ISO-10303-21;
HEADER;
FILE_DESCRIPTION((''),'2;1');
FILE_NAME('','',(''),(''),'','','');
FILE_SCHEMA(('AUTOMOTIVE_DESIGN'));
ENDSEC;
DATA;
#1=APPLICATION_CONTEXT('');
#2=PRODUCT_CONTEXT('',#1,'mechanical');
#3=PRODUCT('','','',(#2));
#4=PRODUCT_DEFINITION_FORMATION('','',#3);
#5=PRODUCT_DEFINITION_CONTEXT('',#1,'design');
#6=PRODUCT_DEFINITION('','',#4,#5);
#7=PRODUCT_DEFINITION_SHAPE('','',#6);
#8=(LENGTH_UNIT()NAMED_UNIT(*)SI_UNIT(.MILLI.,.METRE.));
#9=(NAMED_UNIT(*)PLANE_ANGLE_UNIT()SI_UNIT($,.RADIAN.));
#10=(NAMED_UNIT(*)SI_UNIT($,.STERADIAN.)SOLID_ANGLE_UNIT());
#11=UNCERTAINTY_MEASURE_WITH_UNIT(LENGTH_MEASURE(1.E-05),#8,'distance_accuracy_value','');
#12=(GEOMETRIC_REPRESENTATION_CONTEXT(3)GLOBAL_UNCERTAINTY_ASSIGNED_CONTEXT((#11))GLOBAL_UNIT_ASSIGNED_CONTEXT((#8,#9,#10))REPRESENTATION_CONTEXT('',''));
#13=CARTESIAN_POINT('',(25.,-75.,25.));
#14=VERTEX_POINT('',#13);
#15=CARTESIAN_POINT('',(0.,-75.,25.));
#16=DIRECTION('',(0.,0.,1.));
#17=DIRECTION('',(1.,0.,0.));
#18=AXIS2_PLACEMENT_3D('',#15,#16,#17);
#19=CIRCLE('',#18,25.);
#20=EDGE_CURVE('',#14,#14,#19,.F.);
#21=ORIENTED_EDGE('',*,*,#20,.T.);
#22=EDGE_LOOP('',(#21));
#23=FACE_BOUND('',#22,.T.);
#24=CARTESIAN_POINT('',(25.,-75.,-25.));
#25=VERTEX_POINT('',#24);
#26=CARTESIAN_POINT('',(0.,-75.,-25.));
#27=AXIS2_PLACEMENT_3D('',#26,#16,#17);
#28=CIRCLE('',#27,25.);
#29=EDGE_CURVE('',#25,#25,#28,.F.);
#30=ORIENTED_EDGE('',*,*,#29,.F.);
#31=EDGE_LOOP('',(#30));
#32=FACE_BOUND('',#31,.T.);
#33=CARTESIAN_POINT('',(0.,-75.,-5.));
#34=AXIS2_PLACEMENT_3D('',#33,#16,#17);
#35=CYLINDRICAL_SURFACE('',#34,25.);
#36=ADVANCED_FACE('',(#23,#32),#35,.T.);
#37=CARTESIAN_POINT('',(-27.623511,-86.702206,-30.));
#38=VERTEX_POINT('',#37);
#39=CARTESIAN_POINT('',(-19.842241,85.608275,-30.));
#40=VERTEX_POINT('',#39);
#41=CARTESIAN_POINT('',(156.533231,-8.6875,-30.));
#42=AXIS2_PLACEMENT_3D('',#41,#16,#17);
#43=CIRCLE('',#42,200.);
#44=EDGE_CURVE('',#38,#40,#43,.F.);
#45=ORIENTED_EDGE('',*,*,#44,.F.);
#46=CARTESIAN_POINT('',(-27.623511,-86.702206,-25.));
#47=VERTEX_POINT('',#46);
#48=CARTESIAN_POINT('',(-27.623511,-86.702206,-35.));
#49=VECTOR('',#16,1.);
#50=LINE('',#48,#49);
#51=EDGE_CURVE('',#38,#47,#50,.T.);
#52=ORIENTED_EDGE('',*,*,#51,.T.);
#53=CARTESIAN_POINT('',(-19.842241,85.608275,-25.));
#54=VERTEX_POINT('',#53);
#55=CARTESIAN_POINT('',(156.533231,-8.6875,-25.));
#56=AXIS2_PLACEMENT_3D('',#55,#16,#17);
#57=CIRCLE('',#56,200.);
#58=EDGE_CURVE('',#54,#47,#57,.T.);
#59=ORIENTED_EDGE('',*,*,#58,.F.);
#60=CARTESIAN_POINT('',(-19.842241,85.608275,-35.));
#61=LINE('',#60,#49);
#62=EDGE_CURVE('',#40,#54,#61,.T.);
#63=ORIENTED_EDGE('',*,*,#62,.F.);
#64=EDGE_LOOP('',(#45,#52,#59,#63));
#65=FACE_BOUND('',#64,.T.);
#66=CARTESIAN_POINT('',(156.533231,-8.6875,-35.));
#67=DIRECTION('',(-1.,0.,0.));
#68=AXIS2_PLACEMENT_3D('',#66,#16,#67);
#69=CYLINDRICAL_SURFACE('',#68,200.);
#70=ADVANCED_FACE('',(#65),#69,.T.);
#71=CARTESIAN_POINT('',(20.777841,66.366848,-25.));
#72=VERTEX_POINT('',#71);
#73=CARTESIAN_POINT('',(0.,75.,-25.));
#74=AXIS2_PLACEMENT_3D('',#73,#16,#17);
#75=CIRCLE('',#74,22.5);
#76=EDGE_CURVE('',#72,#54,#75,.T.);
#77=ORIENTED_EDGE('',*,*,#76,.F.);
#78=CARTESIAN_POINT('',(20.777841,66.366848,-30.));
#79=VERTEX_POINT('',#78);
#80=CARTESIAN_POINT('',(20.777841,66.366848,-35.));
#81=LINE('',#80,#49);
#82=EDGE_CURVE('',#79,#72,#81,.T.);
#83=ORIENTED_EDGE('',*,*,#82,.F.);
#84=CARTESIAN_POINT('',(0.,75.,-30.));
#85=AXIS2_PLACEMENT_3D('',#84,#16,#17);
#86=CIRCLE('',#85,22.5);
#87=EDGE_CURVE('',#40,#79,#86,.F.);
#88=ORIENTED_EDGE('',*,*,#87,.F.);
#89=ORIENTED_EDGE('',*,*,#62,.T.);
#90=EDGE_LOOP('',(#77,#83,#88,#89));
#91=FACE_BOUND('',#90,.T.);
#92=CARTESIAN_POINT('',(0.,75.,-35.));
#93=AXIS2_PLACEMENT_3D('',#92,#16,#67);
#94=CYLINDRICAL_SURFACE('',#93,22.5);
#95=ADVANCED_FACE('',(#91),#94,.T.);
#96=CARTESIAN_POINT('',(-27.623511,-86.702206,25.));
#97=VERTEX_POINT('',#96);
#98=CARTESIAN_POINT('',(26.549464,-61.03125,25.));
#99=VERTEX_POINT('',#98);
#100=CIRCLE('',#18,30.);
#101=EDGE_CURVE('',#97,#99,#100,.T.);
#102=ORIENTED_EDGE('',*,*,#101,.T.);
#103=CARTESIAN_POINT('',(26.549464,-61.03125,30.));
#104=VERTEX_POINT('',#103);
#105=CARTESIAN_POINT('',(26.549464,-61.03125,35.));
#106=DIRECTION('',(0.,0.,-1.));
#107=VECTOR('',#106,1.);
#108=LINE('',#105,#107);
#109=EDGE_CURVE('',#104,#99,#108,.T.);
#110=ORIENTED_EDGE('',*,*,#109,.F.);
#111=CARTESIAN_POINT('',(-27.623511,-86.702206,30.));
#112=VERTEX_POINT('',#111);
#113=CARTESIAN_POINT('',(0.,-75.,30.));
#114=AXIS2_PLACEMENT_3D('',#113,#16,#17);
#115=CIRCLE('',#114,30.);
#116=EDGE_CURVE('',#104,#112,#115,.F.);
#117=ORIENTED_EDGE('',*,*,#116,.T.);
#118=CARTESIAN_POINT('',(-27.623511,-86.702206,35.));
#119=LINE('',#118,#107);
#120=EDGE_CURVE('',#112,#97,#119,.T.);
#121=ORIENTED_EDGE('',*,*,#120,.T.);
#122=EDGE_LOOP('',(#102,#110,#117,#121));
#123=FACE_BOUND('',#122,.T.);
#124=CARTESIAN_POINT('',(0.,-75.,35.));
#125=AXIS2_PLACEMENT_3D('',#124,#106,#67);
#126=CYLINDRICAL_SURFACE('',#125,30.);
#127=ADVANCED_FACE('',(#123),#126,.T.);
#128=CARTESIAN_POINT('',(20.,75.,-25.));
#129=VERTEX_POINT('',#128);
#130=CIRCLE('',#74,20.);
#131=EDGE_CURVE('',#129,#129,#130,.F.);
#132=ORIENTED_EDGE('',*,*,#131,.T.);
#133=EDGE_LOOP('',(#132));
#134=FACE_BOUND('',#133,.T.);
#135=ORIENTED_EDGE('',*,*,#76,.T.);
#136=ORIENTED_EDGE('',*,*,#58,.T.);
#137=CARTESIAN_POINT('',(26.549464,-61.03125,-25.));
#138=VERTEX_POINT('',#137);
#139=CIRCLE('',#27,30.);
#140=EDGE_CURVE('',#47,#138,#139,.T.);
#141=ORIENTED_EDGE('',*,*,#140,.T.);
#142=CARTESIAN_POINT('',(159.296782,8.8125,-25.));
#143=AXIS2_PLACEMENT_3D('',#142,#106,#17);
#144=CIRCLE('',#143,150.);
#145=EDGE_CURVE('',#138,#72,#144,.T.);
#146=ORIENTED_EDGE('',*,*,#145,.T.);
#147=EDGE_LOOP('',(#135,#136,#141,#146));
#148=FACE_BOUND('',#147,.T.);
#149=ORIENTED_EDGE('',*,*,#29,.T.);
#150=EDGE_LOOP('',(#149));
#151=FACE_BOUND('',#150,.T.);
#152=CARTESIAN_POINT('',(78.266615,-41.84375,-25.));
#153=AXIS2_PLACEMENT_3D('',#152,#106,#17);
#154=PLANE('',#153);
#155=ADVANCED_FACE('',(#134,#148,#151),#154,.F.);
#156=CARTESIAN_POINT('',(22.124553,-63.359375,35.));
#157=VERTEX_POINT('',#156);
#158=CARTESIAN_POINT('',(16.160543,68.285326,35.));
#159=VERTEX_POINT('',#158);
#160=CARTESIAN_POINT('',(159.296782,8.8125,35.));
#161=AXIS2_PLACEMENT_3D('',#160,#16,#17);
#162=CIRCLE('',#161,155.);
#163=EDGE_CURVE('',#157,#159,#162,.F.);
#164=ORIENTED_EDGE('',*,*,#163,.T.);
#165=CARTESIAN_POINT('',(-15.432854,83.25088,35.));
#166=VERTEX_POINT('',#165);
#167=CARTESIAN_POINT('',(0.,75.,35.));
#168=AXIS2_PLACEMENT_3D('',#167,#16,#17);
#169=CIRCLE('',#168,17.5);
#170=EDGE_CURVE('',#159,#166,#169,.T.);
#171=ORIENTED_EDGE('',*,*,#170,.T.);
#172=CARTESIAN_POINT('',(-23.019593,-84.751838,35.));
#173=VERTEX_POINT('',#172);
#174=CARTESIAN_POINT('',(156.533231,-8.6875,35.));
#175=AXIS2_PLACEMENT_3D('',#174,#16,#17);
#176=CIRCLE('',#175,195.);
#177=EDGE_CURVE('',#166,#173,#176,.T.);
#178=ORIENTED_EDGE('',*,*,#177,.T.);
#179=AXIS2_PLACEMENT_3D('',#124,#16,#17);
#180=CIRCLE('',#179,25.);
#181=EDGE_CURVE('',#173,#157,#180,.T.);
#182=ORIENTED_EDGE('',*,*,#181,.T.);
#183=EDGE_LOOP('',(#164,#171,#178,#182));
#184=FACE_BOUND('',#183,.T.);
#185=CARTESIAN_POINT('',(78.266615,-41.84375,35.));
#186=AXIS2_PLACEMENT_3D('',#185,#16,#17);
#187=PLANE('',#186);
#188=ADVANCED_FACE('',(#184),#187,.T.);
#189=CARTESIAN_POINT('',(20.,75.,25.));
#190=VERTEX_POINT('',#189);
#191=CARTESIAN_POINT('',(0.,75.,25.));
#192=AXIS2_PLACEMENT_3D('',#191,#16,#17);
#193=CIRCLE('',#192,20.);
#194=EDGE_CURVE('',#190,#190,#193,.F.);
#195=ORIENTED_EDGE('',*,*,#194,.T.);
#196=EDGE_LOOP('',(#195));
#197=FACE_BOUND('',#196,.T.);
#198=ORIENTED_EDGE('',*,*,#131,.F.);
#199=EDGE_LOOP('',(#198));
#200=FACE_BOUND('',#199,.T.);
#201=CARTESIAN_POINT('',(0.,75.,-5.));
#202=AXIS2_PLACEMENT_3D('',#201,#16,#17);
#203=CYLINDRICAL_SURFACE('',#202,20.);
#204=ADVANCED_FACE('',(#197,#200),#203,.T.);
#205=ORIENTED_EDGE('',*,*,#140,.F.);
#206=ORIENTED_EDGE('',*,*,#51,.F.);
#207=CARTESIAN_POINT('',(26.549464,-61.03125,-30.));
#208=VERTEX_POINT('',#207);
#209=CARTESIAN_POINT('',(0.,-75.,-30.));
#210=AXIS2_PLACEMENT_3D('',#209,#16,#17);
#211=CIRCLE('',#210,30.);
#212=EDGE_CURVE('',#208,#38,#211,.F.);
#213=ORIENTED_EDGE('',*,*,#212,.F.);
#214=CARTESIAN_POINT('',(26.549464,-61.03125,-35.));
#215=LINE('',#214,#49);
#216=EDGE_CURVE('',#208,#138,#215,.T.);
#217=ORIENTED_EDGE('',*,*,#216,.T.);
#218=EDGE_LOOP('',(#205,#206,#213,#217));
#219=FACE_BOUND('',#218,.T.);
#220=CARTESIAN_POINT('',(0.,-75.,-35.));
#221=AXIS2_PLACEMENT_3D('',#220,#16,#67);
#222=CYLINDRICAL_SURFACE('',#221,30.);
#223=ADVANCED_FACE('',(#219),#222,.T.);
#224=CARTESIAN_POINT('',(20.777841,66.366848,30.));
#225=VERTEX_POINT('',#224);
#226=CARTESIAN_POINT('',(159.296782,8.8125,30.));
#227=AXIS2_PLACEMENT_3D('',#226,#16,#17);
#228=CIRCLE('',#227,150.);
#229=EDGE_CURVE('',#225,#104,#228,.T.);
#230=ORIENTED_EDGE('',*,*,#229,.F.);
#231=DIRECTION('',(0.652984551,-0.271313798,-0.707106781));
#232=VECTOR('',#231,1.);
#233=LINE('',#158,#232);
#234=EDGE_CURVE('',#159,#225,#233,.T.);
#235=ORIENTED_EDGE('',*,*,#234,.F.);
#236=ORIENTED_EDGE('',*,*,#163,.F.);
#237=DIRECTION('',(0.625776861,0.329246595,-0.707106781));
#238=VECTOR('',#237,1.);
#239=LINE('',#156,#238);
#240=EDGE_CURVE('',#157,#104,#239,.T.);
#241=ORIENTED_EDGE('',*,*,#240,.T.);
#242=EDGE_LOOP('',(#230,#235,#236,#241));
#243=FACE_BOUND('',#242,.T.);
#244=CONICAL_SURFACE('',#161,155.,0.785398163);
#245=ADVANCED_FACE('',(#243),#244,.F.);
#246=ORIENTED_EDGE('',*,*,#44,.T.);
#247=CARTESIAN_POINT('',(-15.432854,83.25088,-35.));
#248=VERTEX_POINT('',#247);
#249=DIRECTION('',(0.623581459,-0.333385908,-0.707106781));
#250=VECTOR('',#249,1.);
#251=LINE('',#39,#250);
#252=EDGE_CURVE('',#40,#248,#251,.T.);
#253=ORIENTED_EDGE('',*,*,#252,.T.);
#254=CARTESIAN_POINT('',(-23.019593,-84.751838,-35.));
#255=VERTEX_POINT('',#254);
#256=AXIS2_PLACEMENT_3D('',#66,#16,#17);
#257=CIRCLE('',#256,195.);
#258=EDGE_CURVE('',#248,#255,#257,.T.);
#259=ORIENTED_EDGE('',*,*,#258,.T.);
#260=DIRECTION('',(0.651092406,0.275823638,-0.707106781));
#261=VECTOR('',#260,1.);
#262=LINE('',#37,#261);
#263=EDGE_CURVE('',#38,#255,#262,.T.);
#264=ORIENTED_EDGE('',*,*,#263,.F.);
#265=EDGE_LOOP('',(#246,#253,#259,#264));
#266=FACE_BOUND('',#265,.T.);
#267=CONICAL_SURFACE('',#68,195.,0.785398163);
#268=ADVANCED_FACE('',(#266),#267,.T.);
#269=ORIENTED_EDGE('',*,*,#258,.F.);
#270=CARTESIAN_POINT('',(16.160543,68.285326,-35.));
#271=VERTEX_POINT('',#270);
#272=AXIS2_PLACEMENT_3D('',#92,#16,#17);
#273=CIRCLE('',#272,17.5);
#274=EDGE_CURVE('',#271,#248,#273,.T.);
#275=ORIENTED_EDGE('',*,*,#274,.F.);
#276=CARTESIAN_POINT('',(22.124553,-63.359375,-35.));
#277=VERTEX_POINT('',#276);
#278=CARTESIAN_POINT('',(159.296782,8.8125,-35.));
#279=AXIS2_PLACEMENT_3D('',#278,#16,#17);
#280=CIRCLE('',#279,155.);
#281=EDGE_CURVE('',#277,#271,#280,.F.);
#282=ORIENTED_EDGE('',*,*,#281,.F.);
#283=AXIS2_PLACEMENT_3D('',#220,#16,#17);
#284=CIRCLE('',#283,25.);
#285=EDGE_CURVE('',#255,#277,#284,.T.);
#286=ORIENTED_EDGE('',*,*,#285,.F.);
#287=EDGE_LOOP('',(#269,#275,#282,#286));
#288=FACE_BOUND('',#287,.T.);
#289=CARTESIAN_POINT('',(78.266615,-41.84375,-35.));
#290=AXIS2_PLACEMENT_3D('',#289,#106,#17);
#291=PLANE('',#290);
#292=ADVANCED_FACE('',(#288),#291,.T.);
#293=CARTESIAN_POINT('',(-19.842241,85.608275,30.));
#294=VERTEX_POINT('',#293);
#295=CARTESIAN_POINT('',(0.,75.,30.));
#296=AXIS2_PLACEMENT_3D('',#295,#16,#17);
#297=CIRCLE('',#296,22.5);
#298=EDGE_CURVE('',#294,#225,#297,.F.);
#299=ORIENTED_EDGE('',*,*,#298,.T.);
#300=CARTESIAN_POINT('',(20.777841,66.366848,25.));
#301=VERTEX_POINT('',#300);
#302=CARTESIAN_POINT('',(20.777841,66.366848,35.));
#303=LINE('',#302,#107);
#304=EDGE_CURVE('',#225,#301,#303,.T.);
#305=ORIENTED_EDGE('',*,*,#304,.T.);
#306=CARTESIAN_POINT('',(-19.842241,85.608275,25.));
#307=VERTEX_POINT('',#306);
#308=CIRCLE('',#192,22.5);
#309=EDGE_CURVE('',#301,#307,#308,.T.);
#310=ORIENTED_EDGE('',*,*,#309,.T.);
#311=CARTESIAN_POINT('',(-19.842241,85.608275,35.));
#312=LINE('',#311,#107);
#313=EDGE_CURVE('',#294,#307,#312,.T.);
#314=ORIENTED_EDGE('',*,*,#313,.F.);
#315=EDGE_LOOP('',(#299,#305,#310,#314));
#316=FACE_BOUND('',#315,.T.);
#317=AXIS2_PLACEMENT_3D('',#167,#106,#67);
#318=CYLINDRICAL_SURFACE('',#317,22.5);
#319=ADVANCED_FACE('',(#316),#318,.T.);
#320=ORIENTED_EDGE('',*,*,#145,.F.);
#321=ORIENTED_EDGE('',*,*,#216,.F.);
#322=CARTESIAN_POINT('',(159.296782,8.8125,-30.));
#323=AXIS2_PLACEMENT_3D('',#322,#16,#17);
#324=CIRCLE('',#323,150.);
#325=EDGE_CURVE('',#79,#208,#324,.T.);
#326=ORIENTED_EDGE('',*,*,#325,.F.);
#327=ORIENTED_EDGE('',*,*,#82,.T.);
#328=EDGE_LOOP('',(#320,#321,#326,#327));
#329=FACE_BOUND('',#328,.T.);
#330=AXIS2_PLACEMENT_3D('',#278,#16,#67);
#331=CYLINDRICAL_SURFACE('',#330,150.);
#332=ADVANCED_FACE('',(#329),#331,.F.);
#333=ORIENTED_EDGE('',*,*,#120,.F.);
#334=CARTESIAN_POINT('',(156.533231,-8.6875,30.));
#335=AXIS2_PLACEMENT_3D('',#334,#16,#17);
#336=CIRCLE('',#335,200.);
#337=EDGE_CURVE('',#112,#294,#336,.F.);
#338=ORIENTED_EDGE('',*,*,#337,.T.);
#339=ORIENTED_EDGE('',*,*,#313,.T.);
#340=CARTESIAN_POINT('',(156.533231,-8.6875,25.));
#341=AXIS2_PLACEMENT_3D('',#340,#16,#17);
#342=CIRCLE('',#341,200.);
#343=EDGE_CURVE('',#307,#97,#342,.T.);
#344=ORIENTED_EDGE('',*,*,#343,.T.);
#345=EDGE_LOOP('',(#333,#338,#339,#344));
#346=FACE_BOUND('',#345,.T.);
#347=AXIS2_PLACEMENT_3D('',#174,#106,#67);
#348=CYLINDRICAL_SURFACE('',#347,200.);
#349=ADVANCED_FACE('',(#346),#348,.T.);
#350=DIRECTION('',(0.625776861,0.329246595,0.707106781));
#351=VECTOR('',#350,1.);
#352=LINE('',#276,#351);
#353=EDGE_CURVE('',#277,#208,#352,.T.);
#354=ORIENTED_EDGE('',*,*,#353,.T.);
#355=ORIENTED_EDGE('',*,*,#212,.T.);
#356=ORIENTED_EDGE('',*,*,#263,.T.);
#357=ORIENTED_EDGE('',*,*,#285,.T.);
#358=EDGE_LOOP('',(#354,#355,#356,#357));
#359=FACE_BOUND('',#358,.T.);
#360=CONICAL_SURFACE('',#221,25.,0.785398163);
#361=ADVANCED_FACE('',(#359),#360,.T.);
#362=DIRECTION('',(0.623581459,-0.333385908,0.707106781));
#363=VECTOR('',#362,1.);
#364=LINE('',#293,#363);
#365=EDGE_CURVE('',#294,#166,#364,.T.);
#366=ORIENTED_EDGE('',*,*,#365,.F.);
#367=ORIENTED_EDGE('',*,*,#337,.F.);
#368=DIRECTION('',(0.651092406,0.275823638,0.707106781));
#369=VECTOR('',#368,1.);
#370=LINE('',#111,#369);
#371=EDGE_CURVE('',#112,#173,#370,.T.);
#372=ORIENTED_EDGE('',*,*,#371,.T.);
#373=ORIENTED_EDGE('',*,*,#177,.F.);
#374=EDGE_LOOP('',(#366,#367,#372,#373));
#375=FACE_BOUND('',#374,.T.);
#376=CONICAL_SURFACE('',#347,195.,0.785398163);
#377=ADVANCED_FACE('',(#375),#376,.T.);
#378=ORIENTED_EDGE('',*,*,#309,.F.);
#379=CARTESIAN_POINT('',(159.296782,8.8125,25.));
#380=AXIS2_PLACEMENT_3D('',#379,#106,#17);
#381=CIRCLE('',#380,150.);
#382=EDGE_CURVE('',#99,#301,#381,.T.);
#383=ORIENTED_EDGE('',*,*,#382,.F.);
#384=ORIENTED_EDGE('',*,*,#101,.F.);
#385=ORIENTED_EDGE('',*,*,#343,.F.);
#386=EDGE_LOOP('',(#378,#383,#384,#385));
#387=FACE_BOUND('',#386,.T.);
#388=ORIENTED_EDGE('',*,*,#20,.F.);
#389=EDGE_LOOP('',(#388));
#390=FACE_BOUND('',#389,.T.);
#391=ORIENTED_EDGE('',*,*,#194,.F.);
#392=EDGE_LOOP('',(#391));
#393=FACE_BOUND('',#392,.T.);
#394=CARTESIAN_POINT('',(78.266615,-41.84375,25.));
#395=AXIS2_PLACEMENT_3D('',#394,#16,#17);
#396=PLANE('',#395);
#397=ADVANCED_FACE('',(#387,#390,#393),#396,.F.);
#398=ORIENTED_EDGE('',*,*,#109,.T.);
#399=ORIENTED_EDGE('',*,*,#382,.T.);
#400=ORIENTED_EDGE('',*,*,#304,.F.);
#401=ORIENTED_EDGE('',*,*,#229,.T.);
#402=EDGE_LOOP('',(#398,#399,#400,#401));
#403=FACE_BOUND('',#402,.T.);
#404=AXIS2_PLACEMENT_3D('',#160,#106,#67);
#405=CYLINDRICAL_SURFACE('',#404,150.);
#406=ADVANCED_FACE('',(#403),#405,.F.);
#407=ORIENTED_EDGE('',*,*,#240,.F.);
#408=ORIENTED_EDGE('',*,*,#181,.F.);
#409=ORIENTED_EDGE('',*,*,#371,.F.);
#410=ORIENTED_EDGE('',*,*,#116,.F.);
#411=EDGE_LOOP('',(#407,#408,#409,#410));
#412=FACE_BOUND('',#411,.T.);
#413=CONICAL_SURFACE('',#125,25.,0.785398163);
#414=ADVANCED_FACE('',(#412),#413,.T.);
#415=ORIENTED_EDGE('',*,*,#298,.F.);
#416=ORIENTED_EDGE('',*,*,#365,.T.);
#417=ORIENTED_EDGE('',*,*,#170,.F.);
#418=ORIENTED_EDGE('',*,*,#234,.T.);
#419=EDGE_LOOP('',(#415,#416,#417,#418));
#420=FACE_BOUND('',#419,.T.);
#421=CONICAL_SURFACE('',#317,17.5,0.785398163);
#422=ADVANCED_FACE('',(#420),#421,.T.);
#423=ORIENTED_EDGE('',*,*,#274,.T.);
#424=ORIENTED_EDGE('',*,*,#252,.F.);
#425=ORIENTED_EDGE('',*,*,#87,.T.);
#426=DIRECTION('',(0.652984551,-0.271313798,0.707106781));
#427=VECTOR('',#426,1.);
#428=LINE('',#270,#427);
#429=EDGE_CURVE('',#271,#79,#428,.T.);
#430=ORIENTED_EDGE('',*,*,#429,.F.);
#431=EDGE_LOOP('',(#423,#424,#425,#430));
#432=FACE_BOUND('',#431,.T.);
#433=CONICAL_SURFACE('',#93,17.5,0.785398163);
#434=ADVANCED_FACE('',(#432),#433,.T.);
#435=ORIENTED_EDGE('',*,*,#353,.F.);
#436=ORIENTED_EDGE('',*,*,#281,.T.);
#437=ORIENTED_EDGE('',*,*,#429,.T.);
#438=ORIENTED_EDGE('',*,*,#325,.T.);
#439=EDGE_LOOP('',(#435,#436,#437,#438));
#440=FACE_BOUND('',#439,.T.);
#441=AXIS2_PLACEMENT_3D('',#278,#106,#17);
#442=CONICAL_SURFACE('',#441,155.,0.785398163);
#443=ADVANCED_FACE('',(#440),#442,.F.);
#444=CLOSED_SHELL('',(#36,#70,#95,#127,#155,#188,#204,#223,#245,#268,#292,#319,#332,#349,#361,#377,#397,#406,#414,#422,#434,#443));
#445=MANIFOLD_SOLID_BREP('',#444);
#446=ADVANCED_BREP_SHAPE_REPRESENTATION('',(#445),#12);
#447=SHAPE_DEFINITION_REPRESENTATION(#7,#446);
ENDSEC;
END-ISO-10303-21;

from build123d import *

# Parameters (mm, degrees)
BOSS_EXTRUDE1_DEPTH = 10
CHAMFER2_SIZE       = 5
SKETCH4_R           = 20
SKETCH4_R_2         = 25
BOSS_EXTRUDE2_DEPTH = 30


with BuildPart() as part:
    # Sketch2 → Boss-Extrude1 (new body)
    with BuildSketch(Plane.XY.offset(25)):
        with BuildLine():
            ThreePointArc((20.777841167, 66.366847826), (9.632079925, 95.3340364), (-19.842240524, 85.608274648))
            ThreePointArc((-19.842240524, 85.608274648), (-43.263152194, 0.334990999), (-27.623511317, -86.702205882))
            ThreePointArc((-27.623511317, -86.702205882), (12.846707304, -102.110184644), (26.549463713, -61.03125))
            ThreePointArc((26.549463713, -61.03125), (9.450478546, 2.023887612), (20.777841167, 66.366847826))
        make_face()
    extrude(amount=BOSS_EXTRUDE1_DEPTH)

    # Chamfer2
    chamfer2_edges = [part.edges().sort_by_distance(p)[0] for p in [
        (9.450478546, 2.023887612, 35),
        (9.632079925, 95.3340364, 35),
        (-43.263152194, 0.334990999, 35),
        (12.846707304, -102.110184644, 35),
    ]]
    chamfer(chamfer2_edges, length=CHAMFER2_SIZE)

    # Sketch4 → Boss-Extrude2 (add)
    with BuildSketch(Plane(origin=(0, 0, 25), x_dir=(-1, 0, 0), z_dir=(0, 0, -1))):
        with Locations((0, 75)):
            Circle(SKETCH4_R)
        with Locations((0, -75)):
            Circle(SKETCH4_R_2)
    extrude(amount=BOSS_EXTRUDE2_DEPTH)

    # Mirror3: part across plane


with BuildPart() as part_1:
    add(part.part)
    add(part.part.mirror(Plane.XY))


solid = part_1.part
